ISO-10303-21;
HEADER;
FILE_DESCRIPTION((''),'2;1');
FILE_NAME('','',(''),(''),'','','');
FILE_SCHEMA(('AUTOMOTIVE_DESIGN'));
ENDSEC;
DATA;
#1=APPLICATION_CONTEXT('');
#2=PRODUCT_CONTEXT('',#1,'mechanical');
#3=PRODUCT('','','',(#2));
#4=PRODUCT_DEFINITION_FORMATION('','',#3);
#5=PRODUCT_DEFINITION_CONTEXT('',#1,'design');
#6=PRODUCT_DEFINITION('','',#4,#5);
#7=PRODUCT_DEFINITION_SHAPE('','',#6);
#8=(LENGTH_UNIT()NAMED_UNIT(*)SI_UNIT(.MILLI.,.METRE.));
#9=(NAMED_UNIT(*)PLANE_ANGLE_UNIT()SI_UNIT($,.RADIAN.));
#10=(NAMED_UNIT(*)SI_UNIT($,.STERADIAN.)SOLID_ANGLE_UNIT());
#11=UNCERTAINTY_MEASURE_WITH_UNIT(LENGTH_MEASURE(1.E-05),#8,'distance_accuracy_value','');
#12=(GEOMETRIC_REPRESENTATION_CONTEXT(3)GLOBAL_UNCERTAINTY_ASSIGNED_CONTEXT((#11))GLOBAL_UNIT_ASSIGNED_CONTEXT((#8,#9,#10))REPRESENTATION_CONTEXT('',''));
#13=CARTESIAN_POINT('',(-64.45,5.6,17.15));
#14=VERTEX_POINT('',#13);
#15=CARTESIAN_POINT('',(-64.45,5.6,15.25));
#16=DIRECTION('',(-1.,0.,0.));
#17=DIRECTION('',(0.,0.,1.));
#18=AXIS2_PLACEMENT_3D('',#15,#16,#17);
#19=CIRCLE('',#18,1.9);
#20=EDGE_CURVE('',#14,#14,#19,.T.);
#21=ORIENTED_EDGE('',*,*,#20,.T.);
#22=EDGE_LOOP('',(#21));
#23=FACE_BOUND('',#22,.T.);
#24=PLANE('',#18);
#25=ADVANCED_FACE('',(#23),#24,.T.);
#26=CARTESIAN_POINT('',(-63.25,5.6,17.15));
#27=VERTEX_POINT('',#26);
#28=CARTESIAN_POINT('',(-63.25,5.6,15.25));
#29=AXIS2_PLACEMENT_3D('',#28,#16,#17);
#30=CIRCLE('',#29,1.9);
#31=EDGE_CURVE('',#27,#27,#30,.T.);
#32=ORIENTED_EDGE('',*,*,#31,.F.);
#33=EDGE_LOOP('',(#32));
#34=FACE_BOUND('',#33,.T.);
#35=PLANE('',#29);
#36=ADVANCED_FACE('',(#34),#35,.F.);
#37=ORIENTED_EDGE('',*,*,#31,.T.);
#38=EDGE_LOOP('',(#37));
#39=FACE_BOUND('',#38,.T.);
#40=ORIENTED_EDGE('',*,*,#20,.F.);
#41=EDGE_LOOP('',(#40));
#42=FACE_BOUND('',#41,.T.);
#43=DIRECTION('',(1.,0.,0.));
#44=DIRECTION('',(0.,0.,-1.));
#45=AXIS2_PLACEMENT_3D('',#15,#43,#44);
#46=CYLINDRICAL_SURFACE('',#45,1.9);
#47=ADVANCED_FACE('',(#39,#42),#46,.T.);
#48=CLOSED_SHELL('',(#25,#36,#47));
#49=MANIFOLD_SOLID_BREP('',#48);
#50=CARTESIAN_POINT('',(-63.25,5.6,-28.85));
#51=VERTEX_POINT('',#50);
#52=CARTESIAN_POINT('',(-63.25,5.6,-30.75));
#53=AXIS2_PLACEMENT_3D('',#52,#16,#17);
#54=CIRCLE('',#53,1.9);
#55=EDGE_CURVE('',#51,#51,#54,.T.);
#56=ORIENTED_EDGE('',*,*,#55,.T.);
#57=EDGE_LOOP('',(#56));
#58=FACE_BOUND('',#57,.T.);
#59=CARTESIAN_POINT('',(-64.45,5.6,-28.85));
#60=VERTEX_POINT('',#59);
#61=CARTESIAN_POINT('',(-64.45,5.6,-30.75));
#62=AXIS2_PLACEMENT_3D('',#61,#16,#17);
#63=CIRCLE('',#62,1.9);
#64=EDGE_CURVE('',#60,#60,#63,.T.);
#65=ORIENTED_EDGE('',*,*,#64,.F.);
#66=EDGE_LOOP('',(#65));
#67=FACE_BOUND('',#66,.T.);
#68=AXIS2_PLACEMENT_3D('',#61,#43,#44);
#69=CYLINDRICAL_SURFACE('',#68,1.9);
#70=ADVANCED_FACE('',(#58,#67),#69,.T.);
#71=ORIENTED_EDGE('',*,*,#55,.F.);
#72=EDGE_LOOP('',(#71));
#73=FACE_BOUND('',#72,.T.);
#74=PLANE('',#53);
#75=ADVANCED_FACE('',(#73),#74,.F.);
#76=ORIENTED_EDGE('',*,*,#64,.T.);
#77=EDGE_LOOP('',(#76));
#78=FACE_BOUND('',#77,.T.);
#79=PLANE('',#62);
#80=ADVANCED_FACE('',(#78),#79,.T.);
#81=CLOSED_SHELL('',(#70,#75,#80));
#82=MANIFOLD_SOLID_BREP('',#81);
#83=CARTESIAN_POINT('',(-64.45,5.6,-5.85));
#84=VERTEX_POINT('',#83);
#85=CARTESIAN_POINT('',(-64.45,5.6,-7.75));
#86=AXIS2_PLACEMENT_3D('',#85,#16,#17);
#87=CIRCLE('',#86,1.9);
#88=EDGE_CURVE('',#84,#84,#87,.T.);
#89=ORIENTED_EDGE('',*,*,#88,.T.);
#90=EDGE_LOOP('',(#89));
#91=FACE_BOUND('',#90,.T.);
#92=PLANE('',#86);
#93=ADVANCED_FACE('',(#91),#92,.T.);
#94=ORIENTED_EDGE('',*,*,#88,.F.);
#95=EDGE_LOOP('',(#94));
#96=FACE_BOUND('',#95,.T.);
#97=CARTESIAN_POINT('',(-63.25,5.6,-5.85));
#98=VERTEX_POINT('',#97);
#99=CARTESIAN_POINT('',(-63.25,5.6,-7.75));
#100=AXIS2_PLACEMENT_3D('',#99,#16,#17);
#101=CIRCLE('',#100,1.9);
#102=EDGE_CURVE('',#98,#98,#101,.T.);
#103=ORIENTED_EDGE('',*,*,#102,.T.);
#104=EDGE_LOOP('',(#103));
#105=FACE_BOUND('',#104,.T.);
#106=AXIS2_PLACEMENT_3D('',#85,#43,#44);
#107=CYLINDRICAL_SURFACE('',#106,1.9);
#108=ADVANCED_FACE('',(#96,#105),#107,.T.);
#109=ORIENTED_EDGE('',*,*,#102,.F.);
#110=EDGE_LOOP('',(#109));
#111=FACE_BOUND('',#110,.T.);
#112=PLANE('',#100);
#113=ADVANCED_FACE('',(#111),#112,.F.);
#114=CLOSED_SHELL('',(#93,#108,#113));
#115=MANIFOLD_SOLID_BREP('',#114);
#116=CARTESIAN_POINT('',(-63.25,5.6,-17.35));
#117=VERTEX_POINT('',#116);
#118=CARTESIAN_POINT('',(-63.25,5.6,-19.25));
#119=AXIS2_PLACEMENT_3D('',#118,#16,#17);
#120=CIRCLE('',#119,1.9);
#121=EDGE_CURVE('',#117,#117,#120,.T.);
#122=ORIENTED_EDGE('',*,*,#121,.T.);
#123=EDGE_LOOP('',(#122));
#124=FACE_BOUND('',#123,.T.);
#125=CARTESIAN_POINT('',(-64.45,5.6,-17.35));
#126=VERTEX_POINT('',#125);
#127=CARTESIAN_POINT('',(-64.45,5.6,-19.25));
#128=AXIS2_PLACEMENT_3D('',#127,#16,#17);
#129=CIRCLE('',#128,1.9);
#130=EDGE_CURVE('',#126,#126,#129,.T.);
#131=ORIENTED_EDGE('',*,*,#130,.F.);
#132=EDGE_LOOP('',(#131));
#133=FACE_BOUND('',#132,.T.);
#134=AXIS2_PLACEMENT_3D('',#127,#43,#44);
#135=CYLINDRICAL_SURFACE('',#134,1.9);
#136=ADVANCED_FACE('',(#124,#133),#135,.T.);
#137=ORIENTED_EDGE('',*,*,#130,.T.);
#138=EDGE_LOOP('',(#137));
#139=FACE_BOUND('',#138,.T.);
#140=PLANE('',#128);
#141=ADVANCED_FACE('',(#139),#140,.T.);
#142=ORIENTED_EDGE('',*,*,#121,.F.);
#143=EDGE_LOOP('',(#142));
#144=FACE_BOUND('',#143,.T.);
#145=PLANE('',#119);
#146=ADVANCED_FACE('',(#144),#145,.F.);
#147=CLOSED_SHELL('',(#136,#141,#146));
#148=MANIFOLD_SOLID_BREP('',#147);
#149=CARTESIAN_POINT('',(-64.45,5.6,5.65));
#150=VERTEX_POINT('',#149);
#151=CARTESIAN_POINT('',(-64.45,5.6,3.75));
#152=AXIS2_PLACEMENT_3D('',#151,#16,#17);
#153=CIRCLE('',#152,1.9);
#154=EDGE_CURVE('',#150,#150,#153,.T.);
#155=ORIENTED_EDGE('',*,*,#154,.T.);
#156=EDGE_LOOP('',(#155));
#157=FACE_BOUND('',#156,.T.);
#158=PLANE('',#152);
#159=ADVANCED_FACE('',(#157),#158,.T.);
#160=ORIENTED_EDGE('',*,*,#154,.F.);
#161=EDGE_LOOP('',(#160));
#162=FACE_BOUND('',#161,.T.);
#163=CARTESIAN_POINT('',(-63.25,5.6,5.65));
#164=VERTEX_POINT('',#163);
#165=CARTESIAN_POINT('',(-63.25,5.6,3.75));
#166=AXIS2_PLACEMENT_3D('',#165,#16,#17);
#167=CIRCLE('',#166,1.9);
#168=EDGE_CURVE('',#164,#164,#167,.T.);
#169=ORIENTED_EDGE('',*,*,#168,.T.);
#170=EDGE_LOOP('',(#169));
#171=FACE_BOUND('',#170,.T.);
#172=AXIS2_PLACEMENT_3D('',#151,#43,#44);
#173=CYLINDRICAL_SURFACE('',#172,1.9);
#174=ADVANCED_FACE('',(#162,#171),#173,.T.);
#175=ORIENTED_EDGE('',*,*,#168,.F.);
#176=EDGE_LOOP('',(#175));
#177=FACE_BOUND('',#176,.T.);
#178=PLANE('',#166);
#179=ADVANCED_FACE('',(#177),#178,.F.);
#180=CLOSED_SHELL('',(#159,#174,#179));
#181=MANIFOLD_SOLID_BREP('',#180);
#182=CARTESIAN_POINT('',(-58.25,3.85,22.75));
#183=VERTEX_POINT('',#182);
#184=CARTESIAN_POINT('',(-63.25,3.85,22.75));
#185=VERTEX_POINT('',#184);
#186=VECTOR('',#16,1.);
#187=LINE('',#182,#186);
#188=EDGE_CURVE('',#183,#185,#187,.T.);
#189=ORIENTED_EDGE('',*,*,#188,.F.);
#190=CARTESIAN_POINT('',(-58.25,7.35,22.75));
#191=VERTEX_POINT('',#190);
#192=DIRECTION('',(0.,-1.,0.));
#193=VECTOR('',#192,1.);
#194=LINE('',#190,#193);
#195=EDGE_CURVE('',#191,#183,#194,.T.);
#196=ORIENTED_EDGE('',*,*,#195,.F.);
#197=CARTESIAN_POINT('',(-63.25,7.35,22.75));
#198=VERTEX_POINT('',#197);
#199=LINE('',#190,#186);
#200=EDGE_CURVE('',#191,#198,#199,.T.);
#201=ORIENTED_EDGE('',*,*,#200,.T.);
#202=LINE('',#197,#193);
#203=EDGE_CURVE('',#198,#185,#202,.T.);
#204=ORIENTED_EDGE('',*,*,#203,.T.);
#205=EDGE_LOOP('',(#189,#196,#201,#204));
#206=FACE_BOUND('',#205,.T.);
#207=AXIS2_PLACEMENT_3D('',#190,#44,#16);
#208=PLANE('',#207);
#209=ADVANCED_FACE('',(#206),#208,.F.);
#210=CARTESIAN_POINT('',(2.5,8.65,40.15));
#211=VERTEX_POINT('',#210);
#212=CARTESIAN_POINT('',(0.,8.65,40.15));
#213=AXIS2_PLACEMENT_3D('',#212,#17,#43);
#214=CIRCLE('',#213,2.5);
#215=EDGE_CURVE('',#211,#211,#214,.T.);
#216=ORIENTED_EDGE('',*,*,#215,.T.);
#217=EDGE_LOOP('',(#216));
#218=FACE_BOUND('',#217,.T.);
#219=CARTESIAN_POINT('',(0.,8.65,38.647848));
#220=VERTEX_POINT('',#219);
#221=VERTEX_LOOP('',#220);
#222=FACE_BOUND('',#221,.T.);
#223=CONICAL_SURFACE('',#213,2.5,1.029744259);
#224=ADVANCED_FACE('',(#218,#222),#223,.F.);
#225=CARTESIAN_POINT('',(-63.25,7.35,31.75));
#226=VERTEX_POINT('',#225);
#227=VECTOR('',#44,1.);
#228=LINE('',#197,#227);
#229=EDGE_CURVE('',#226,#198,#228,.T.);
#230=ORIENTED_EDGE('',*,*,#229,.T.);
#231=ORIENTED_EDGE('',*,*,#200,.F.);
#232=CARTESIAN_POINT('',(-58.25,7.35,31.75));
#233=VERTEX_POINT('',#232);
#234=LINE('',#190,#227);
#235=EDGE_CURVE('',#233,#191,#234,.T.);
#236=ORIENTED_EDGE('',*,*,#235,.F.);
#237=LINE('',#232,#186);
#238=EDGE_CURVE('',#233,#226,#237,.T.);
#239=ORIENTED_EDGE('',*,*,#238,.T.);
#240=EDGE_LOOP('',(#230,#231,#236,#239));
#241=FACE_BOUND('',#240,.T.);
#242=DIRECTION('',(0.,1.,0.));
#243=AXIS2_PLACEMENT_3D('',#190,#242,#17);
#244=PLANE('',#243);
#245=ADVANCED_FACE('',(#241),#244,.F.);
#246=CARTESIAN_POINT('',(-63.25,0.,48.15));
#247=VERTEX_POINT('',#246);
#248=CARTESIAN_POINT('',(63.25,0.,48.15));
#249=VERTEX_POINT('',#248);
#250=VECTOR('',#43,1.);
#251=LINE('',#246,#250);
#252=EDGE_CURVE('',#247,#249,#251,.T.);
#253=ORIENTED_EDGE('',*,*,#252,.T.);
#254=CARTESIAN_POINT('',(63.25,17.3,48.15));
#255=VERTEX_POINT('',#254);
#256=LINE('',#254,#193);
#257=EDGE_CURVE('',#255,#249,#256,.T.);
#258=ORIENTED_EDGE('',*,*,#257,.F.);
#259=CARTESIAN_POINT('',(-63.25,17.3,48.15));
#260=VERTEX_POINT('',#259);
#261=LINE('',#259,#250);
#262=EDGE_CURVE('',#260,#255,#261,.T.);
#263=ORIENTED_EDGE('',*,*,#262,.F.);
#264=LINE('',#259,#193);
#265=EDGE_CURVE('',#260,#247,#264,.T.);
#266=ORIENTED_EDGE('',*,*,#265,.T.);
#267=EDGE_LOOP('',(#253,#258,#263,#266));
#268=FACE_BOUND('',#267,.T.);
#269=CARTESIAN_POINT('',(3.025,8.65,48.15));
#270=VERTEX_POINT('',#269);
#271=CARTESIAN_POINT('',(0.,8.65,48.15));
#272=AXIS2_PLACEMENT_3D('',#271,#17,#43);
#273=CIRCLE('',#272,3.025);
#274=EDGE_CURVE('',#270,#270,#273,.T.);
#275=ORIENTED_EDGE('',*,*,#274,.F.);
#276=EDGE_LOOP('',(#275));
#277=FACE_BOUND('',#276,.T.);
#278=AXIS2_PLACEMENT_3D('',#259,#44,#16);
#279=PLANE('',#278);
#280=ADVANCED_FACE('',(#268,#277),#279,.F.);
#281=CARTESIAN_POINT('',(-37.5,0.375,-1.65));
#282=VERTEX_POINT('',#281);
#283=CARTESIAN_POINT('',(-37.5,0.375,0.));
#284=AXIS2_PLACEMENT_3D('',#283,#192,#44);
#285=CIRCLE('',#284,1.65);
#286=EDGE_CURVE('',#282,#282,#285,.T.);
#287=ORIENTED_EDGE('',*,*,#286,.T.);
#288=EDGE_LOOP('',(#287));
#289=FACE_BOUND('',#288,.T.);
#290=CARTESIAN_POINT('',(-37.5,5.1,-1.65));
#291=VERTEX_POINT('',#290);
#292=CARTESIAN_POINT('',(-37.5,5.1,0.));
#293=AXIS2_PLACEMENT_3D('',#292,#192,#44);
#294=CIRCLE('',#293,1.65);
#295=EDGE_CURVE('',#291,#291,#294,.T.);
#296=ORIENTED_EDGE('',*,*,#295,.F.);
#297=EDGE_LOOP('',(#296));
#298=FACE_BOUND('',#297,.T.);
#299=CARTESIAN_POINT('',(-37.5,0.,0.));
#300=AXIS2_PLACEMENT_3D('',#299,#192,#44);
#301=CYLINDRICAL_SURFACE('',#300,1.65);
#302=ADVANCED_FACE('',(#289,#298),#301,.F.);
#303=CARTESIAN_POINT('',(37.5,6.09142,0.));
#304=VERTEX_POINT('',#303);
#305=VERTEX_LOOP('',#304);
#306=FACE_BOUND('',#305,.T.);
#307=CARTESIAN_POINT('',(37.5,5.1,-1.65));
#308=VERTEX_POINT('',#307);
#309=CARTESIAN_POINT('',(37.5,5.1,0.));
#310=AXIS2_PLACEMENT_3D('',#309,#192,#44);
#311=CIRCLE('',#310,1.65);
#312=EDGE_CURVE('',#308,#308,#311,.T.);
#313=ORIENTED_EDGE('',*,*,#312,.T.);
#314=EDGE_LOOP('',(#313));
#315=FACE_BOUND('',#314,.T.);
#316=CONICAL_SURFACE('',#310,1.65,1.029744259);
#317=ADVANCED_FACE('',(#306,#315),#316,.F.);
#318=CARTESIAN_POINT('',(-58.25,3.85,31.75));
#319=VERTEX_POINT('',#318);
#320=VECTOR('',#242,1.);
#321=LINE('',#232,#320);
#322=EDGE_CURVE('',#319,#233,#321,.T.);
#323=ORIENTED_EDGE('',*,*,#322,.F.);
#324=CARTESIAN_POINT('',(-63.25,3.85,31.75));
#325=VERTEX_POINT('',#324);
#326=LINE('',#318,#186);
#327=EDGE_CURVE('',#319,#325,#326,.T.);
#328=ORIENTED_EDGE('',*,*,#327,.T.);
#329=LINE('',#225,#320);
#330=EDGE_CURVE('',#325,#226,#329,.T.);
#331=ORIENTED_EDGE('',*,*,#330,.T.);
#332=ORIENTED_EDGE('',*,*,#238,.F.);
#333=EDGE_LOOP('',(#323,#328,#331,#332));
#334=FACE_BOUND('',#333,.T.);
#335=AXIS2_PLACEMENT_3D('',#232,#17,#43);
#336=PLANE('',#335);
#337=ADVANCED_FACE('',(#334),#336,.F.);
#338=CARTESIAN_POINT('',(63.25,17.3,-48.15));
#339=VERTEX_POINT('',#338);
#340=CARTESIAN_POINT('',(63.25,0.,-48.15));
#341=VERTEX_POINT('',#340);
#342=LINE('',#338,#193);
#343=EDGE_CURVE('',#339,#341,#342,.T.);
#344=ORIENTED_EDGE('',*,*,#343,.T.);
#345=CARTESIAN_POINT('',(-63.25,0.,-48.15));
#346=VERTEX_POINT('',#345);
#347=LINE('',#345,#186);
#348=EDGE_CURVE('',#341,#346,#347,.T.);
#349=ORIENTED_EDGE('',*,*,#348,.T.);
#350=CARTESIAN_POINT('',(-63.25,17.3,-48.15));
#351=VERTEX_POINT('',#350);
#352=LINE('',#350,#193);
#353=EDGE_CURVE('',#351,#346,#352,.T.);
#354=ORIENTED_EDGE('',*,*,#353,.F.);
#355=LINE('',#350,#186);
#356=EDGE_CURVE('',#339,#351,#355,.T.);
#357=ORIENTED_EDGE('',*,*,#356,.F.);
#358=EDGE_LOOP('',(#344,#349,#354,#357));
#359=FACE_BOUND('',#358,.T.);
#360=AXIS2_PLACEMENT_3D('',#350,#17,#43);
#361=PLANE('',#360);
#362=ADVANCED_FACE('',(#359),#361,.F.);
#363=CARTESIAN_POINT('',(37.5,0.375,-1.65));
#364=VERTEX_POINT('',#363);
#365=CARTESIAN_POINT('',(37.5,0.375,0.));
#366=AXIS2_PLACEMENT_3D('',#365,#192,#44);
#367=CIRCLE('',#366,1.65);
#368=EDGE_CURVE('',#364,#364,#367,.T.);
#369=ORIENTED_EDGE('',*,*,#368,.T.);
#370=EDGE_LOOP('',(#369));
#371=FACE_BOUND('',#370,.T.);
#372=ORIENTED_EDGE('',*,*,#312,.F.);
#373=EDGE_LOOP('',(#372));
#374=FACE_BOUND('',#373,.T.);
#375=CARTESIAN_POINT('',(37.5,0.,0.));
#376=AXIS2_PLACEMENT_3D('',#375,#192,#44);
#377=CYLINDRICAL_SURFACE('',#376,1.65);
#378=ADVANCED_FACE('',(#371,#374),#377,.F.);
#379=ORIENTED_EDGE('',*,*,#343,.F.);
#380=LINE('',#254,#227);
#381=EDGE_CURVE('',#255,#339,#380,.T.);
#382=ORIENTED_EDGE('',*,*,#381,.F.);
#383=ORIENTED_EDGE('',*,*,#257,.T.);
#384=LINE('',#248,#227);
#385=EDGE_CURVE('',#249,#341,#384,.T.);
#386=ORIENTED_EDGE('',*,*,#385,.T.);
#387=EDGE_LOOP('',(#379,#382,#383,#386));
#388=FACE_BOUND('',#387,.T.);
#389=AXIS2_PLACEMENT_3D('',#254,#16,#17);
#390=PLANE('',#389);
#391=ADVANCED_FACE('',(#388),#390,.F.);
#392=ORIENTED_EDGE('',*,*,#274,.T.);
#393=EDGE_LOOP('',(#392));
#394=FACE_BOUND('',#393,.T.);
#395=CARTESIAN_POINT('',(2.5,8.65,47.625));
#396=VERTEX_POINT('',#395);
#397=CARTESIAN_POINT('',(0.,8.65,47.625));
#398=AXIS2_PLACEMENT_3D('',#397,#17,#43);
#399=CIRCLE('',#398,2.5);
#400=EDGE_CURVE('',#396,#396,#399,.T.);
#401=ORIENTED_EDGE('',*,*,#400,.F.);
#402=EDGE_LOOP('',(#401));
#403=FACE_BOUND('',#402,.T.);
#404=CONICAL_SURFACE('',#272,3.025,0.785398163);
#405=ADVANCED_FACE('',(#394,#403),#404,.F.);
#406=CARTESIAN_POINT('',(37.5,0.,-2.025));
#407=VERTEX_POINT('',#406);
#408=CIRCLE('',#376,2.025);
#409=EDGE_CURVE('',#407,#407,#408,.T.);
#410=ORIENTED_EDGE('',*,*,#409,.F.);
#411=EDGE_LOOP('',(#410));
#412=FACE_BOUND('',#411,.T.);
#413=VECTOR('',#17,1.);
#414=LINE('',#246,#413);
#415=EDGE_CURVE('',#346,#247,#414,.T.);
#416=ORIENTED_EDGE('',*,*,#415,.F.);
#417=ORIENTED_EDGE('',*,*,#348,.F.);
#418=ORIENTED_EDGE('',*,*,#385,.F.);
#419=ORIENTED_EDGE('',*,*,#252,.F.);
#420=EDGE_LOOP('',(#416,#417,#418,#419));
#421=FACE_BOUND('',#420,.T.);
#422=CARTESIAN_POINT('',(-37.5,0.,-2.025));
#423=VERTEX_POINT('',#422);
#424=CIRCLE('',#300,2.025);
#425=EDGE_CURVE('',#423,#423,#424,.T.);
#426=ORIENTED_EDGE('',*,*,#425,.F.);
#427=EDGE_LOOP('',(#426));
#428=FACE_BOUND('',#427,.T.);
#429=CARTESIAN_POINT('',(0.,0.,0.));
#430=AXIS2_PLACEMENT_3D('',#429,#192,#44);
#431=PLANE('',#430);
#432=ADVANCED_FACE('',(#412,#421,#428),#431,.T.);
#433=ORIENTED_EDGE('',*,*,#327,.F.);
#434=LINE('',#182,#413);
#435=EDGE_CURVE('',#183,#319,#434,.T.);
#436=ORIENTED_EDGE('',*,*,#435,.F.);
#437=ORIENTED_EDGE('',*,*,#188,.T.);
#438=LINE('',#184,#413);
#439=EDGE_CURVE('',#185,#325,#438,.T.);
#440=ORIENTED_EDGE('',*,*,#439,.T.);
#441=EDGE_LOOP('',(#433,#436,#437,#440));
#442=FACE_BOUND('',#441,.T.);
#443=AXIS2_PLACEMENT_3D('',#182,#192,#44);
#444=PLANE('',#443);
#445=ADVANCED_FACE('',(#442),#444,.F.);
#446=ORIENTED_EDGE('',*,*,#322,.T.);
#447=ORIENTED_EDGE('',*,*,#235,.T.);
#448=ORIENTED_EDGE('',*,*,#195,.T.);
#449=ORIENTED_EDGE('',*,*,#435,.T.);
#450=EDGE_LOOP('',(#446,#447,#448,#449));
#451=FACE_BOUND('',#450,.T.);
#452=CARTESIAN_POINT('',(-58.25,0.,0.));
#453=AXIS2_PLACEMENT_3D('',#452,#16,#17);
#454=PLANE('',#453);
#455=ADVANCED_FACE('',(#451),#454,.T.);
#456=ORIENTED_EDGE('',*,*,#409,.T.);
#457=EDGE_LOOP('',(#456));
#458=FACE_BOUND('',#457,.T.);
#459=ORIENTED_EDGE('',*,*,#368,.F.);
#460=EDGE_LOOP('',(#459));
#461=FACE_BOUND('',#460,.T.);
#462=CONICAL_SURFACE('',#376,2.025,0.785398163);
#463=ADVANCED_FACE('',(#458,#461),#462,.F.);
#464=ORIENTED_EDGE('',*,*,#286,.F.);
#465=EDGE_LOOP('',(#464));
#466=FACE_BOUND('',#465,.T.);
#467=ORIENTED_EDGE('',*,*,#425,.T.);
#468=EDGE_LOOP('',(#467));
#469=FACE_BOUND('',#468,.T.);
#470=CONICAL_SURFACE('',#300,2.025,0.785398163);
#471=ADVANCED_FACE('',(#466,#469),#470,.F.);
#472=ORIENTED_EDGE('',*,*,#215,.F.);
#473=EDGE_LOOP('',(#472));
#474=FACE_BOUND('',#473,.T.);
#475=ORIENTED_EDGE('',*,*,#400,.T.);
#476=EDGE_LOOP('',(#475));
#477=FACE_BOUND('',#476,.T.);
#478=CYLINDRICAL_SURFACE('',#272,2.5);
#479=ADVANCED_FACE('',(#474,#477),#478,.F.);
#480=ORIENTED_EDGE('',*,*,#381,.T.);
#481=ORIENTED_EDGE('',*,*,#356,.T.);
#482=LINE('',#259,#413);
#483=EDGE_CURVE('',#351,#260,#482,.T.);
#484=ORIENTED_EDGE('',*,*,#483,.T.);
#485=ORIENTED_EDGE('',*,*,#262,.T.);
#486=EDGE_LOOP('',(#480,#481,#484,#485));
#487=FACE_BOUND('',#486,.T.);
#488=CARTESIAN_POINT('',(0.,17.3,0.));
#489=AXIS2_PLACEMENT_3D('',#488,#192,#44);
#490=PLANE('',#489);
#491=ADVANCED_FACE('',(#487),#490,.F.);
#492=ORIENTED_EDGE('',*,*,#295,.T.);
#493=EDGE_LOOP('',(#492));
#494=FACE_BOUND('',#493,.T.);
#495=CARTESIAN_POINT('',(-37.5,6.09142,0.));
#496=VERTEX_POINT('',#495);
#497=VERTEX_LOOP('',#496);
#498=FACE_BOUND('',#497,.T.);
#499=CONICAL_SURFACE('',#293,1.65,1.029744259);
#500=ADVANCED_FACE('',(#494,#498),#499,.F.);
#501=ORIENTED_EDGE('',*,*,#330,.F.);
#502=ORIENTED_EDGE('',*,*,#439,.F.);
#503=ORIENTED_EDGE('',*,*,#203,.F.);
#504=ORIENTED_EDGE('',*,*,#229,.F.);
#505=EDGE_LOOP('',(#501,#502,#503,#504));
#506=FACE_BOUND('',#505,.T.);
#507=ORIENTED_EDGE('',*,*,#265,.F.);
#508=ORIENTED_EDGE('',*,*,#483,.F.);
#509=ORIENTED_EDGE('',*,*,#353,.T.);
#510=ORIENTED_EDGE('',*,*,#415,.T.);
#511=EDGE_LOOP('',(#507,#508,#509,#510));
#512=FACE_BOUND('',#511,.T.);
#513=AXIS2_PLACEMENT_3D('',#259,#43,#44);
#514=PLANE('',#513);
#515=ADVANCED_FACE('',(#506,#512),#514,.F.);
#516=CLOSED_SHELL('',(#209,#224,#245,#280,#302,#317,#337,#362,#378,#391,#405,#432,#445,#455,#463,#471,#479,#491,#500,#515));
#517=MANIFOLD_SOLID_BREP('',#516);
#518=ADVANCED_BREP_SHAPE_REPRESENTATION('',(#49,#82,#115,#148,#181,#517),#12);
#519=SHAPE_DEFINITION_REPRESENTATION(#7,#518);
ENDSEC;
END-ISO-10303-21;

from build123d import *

# Parameters (mm, degrees)
SKETCH_1_W                   = 126.5
SKETCH_1_H                   = 96.3
EXTRUDE_1_DEPTH              = 17.3
HOLE_WIZARD_M6_1_D           = 5
HOLE_WIZARD_M6_1_DEPTH       = 8
HOLE_WIZARD_M6_1_CSINK_D     = 6.05
HOLE_WIZARD_M6_1_CSINK_ANGLE = 90
HOLE_WIZARD_M6_1_TIP         = 1.502151548
SKETCH_4_R                   = 1.9
EXTRUDE_2_DEPTH              = 1.2
EXTRUDE_2_2_DEPTH            = 1.2
EXTRUDE_2_3_DEPTH            = 1.2
EXTRUDE_2_4_DEPTH            = 1.2
EXTRUDE_2_5_DEPTH            = 1.2
SKETCH_5_W                   = 9
SKETCH_5_H                   = 3.5
CUT_EXTRUDE_1_DEPTH          = 5
HOLE_WIZARD_M4_1_AT_2_COUNT  = 2
HOLE_WIZARD_M4_1_AT_2_PITCH  = 75


with BuildPart() as part:
    # 草图1 → 凸台-拉伸1 (new body)
    with BuildSketch(Plane(origin=(0, 0, 0), x_dir=(1, 0, 0), z_dir=(0, 1, 0))):
        Rectangle(SKETCH_1_W, SKETCH_1_H)
    extrude(amount=EXTRUDE_1_DEPTH)

    # M6 螺纹孔1
    with Locations(Plane.XY.offset(48.15)):
        with Locations((0, 8.65)):
            CounterSinkHole(HOLE_WIZARD_M6_1_D / 2, HOLE_WIZARD_M6_1_CSINK_D / 2, depth=HOLE_WIZARD_M6_1_DEPTH, counter_sink_angle=HOLE_WIZARD_M6_1_CSINK_ANGLE)
            with Locations((0, 0, -(HOLE_WIZARD_M6_1_DEPTH + HOLE_WIZARD_M6_1_TIP / 2))):  # 118° drill point
                Cone(0, HOLE_WIZARD_M6_1_D / 2, HOLE_WIZARD_M6_1_TIP, mode=Mode.SUBTRACT)

    # 草图5 → 切除-拉伸1 (cut)
    with BuildSketch(Plane.ZY.offset(63.25)):
        with Locations((27.25, 5.6)):
            Rectangle(SKETCH_5_W, SKETCH_5_H)
    extrude(amount=-CUT_EXTRUDE_1_DEPTH, mode=Mode.SUBTRACT)

    # 草图7 → M4 螺纹孔1 (revolve, cut)
    with BuildSketch(Plane(origin=(37.5, 0, 0), x_dir=(0, 0, -1), z_dir=(1, 0, 0))):
        Polygon((0, 0), (0, 6.091420021), (1.65, 5.1), (1.65, 0.375), (2.025, 0), align=None)
    hole_wizard_m4_1 = revolve(axis=Axis((37.5, -6.35, 0), (0, 1, 0)), mode=Mode.SUBTRACT)

    # M4 螺纹孔1 at 2: M4 螺纹孔1 ×2
    with Locations(*[(-i * HOLE_WIZARD_M4_1_AT_2_PITCH, 0, 0) for i in range(1, HOLE_WIZARD_M4_1_AT_2_COUNT)]):
        add(hole_wizard_m4_1, mode=Mode.SUBTRACT)


with BuildPart() as body_2:
    # 草图4 → 凸台-拉伸2 (new body)
    with BuildSketch(Plane.ZY.offset(63.25)):
        with Locations((-30.75, 5.6)):
            Circle(SKETCH_4_R)
    extrude(amount=EXTRUDE_2_DEPTH)


with BuildPart() as body_3:
    # 草图4 → Extrude 2 2 (new body)
    with BuildSketch(Plane.ZY.offset(63.25)):
        with Locations((-19.25, 5.6)):
            Circle(SKETCH_4_R)
    extrude(amount=EXTRUDE_2_2_DEPTH)


with BuildPart() as body_4:
    # 草图4 → Extrude 2 3 (new body)
    with BuildSketch(Plane.ZY.offset(63.25)):
        with Locations((-7.75, 5.6)):
            Circle(SKETCH_4_R)
    extrude(amount=EXTRUDE_2_3_DEPTH)


with BuildPart() as body_5:
    # 草图4 → Extrude 2 4 (new body)
    with BuildSketch(Plane.ZY.offset(63.25)):
        with Locations((3.75, 5.6)):
            Circle(SKETCH_4_R)
    extrude(amount=EXTRUDE_2_4_DEPTH)


with BuildPart() as body_6:
    # 草图4 → Extrude 2 5 (new body)
    with BuildSketch(Plane.ZY.offset(63.25)):
        with Locations((15.25, 5.6)):
            Circle(SKETCH_4_R)
    extrude(amount=EXTRUDE_2_5_DEPTH)


solid = Compound([part.part, body_2.part, body_3.part, body_4.part, body_5.part, body_6.part])
